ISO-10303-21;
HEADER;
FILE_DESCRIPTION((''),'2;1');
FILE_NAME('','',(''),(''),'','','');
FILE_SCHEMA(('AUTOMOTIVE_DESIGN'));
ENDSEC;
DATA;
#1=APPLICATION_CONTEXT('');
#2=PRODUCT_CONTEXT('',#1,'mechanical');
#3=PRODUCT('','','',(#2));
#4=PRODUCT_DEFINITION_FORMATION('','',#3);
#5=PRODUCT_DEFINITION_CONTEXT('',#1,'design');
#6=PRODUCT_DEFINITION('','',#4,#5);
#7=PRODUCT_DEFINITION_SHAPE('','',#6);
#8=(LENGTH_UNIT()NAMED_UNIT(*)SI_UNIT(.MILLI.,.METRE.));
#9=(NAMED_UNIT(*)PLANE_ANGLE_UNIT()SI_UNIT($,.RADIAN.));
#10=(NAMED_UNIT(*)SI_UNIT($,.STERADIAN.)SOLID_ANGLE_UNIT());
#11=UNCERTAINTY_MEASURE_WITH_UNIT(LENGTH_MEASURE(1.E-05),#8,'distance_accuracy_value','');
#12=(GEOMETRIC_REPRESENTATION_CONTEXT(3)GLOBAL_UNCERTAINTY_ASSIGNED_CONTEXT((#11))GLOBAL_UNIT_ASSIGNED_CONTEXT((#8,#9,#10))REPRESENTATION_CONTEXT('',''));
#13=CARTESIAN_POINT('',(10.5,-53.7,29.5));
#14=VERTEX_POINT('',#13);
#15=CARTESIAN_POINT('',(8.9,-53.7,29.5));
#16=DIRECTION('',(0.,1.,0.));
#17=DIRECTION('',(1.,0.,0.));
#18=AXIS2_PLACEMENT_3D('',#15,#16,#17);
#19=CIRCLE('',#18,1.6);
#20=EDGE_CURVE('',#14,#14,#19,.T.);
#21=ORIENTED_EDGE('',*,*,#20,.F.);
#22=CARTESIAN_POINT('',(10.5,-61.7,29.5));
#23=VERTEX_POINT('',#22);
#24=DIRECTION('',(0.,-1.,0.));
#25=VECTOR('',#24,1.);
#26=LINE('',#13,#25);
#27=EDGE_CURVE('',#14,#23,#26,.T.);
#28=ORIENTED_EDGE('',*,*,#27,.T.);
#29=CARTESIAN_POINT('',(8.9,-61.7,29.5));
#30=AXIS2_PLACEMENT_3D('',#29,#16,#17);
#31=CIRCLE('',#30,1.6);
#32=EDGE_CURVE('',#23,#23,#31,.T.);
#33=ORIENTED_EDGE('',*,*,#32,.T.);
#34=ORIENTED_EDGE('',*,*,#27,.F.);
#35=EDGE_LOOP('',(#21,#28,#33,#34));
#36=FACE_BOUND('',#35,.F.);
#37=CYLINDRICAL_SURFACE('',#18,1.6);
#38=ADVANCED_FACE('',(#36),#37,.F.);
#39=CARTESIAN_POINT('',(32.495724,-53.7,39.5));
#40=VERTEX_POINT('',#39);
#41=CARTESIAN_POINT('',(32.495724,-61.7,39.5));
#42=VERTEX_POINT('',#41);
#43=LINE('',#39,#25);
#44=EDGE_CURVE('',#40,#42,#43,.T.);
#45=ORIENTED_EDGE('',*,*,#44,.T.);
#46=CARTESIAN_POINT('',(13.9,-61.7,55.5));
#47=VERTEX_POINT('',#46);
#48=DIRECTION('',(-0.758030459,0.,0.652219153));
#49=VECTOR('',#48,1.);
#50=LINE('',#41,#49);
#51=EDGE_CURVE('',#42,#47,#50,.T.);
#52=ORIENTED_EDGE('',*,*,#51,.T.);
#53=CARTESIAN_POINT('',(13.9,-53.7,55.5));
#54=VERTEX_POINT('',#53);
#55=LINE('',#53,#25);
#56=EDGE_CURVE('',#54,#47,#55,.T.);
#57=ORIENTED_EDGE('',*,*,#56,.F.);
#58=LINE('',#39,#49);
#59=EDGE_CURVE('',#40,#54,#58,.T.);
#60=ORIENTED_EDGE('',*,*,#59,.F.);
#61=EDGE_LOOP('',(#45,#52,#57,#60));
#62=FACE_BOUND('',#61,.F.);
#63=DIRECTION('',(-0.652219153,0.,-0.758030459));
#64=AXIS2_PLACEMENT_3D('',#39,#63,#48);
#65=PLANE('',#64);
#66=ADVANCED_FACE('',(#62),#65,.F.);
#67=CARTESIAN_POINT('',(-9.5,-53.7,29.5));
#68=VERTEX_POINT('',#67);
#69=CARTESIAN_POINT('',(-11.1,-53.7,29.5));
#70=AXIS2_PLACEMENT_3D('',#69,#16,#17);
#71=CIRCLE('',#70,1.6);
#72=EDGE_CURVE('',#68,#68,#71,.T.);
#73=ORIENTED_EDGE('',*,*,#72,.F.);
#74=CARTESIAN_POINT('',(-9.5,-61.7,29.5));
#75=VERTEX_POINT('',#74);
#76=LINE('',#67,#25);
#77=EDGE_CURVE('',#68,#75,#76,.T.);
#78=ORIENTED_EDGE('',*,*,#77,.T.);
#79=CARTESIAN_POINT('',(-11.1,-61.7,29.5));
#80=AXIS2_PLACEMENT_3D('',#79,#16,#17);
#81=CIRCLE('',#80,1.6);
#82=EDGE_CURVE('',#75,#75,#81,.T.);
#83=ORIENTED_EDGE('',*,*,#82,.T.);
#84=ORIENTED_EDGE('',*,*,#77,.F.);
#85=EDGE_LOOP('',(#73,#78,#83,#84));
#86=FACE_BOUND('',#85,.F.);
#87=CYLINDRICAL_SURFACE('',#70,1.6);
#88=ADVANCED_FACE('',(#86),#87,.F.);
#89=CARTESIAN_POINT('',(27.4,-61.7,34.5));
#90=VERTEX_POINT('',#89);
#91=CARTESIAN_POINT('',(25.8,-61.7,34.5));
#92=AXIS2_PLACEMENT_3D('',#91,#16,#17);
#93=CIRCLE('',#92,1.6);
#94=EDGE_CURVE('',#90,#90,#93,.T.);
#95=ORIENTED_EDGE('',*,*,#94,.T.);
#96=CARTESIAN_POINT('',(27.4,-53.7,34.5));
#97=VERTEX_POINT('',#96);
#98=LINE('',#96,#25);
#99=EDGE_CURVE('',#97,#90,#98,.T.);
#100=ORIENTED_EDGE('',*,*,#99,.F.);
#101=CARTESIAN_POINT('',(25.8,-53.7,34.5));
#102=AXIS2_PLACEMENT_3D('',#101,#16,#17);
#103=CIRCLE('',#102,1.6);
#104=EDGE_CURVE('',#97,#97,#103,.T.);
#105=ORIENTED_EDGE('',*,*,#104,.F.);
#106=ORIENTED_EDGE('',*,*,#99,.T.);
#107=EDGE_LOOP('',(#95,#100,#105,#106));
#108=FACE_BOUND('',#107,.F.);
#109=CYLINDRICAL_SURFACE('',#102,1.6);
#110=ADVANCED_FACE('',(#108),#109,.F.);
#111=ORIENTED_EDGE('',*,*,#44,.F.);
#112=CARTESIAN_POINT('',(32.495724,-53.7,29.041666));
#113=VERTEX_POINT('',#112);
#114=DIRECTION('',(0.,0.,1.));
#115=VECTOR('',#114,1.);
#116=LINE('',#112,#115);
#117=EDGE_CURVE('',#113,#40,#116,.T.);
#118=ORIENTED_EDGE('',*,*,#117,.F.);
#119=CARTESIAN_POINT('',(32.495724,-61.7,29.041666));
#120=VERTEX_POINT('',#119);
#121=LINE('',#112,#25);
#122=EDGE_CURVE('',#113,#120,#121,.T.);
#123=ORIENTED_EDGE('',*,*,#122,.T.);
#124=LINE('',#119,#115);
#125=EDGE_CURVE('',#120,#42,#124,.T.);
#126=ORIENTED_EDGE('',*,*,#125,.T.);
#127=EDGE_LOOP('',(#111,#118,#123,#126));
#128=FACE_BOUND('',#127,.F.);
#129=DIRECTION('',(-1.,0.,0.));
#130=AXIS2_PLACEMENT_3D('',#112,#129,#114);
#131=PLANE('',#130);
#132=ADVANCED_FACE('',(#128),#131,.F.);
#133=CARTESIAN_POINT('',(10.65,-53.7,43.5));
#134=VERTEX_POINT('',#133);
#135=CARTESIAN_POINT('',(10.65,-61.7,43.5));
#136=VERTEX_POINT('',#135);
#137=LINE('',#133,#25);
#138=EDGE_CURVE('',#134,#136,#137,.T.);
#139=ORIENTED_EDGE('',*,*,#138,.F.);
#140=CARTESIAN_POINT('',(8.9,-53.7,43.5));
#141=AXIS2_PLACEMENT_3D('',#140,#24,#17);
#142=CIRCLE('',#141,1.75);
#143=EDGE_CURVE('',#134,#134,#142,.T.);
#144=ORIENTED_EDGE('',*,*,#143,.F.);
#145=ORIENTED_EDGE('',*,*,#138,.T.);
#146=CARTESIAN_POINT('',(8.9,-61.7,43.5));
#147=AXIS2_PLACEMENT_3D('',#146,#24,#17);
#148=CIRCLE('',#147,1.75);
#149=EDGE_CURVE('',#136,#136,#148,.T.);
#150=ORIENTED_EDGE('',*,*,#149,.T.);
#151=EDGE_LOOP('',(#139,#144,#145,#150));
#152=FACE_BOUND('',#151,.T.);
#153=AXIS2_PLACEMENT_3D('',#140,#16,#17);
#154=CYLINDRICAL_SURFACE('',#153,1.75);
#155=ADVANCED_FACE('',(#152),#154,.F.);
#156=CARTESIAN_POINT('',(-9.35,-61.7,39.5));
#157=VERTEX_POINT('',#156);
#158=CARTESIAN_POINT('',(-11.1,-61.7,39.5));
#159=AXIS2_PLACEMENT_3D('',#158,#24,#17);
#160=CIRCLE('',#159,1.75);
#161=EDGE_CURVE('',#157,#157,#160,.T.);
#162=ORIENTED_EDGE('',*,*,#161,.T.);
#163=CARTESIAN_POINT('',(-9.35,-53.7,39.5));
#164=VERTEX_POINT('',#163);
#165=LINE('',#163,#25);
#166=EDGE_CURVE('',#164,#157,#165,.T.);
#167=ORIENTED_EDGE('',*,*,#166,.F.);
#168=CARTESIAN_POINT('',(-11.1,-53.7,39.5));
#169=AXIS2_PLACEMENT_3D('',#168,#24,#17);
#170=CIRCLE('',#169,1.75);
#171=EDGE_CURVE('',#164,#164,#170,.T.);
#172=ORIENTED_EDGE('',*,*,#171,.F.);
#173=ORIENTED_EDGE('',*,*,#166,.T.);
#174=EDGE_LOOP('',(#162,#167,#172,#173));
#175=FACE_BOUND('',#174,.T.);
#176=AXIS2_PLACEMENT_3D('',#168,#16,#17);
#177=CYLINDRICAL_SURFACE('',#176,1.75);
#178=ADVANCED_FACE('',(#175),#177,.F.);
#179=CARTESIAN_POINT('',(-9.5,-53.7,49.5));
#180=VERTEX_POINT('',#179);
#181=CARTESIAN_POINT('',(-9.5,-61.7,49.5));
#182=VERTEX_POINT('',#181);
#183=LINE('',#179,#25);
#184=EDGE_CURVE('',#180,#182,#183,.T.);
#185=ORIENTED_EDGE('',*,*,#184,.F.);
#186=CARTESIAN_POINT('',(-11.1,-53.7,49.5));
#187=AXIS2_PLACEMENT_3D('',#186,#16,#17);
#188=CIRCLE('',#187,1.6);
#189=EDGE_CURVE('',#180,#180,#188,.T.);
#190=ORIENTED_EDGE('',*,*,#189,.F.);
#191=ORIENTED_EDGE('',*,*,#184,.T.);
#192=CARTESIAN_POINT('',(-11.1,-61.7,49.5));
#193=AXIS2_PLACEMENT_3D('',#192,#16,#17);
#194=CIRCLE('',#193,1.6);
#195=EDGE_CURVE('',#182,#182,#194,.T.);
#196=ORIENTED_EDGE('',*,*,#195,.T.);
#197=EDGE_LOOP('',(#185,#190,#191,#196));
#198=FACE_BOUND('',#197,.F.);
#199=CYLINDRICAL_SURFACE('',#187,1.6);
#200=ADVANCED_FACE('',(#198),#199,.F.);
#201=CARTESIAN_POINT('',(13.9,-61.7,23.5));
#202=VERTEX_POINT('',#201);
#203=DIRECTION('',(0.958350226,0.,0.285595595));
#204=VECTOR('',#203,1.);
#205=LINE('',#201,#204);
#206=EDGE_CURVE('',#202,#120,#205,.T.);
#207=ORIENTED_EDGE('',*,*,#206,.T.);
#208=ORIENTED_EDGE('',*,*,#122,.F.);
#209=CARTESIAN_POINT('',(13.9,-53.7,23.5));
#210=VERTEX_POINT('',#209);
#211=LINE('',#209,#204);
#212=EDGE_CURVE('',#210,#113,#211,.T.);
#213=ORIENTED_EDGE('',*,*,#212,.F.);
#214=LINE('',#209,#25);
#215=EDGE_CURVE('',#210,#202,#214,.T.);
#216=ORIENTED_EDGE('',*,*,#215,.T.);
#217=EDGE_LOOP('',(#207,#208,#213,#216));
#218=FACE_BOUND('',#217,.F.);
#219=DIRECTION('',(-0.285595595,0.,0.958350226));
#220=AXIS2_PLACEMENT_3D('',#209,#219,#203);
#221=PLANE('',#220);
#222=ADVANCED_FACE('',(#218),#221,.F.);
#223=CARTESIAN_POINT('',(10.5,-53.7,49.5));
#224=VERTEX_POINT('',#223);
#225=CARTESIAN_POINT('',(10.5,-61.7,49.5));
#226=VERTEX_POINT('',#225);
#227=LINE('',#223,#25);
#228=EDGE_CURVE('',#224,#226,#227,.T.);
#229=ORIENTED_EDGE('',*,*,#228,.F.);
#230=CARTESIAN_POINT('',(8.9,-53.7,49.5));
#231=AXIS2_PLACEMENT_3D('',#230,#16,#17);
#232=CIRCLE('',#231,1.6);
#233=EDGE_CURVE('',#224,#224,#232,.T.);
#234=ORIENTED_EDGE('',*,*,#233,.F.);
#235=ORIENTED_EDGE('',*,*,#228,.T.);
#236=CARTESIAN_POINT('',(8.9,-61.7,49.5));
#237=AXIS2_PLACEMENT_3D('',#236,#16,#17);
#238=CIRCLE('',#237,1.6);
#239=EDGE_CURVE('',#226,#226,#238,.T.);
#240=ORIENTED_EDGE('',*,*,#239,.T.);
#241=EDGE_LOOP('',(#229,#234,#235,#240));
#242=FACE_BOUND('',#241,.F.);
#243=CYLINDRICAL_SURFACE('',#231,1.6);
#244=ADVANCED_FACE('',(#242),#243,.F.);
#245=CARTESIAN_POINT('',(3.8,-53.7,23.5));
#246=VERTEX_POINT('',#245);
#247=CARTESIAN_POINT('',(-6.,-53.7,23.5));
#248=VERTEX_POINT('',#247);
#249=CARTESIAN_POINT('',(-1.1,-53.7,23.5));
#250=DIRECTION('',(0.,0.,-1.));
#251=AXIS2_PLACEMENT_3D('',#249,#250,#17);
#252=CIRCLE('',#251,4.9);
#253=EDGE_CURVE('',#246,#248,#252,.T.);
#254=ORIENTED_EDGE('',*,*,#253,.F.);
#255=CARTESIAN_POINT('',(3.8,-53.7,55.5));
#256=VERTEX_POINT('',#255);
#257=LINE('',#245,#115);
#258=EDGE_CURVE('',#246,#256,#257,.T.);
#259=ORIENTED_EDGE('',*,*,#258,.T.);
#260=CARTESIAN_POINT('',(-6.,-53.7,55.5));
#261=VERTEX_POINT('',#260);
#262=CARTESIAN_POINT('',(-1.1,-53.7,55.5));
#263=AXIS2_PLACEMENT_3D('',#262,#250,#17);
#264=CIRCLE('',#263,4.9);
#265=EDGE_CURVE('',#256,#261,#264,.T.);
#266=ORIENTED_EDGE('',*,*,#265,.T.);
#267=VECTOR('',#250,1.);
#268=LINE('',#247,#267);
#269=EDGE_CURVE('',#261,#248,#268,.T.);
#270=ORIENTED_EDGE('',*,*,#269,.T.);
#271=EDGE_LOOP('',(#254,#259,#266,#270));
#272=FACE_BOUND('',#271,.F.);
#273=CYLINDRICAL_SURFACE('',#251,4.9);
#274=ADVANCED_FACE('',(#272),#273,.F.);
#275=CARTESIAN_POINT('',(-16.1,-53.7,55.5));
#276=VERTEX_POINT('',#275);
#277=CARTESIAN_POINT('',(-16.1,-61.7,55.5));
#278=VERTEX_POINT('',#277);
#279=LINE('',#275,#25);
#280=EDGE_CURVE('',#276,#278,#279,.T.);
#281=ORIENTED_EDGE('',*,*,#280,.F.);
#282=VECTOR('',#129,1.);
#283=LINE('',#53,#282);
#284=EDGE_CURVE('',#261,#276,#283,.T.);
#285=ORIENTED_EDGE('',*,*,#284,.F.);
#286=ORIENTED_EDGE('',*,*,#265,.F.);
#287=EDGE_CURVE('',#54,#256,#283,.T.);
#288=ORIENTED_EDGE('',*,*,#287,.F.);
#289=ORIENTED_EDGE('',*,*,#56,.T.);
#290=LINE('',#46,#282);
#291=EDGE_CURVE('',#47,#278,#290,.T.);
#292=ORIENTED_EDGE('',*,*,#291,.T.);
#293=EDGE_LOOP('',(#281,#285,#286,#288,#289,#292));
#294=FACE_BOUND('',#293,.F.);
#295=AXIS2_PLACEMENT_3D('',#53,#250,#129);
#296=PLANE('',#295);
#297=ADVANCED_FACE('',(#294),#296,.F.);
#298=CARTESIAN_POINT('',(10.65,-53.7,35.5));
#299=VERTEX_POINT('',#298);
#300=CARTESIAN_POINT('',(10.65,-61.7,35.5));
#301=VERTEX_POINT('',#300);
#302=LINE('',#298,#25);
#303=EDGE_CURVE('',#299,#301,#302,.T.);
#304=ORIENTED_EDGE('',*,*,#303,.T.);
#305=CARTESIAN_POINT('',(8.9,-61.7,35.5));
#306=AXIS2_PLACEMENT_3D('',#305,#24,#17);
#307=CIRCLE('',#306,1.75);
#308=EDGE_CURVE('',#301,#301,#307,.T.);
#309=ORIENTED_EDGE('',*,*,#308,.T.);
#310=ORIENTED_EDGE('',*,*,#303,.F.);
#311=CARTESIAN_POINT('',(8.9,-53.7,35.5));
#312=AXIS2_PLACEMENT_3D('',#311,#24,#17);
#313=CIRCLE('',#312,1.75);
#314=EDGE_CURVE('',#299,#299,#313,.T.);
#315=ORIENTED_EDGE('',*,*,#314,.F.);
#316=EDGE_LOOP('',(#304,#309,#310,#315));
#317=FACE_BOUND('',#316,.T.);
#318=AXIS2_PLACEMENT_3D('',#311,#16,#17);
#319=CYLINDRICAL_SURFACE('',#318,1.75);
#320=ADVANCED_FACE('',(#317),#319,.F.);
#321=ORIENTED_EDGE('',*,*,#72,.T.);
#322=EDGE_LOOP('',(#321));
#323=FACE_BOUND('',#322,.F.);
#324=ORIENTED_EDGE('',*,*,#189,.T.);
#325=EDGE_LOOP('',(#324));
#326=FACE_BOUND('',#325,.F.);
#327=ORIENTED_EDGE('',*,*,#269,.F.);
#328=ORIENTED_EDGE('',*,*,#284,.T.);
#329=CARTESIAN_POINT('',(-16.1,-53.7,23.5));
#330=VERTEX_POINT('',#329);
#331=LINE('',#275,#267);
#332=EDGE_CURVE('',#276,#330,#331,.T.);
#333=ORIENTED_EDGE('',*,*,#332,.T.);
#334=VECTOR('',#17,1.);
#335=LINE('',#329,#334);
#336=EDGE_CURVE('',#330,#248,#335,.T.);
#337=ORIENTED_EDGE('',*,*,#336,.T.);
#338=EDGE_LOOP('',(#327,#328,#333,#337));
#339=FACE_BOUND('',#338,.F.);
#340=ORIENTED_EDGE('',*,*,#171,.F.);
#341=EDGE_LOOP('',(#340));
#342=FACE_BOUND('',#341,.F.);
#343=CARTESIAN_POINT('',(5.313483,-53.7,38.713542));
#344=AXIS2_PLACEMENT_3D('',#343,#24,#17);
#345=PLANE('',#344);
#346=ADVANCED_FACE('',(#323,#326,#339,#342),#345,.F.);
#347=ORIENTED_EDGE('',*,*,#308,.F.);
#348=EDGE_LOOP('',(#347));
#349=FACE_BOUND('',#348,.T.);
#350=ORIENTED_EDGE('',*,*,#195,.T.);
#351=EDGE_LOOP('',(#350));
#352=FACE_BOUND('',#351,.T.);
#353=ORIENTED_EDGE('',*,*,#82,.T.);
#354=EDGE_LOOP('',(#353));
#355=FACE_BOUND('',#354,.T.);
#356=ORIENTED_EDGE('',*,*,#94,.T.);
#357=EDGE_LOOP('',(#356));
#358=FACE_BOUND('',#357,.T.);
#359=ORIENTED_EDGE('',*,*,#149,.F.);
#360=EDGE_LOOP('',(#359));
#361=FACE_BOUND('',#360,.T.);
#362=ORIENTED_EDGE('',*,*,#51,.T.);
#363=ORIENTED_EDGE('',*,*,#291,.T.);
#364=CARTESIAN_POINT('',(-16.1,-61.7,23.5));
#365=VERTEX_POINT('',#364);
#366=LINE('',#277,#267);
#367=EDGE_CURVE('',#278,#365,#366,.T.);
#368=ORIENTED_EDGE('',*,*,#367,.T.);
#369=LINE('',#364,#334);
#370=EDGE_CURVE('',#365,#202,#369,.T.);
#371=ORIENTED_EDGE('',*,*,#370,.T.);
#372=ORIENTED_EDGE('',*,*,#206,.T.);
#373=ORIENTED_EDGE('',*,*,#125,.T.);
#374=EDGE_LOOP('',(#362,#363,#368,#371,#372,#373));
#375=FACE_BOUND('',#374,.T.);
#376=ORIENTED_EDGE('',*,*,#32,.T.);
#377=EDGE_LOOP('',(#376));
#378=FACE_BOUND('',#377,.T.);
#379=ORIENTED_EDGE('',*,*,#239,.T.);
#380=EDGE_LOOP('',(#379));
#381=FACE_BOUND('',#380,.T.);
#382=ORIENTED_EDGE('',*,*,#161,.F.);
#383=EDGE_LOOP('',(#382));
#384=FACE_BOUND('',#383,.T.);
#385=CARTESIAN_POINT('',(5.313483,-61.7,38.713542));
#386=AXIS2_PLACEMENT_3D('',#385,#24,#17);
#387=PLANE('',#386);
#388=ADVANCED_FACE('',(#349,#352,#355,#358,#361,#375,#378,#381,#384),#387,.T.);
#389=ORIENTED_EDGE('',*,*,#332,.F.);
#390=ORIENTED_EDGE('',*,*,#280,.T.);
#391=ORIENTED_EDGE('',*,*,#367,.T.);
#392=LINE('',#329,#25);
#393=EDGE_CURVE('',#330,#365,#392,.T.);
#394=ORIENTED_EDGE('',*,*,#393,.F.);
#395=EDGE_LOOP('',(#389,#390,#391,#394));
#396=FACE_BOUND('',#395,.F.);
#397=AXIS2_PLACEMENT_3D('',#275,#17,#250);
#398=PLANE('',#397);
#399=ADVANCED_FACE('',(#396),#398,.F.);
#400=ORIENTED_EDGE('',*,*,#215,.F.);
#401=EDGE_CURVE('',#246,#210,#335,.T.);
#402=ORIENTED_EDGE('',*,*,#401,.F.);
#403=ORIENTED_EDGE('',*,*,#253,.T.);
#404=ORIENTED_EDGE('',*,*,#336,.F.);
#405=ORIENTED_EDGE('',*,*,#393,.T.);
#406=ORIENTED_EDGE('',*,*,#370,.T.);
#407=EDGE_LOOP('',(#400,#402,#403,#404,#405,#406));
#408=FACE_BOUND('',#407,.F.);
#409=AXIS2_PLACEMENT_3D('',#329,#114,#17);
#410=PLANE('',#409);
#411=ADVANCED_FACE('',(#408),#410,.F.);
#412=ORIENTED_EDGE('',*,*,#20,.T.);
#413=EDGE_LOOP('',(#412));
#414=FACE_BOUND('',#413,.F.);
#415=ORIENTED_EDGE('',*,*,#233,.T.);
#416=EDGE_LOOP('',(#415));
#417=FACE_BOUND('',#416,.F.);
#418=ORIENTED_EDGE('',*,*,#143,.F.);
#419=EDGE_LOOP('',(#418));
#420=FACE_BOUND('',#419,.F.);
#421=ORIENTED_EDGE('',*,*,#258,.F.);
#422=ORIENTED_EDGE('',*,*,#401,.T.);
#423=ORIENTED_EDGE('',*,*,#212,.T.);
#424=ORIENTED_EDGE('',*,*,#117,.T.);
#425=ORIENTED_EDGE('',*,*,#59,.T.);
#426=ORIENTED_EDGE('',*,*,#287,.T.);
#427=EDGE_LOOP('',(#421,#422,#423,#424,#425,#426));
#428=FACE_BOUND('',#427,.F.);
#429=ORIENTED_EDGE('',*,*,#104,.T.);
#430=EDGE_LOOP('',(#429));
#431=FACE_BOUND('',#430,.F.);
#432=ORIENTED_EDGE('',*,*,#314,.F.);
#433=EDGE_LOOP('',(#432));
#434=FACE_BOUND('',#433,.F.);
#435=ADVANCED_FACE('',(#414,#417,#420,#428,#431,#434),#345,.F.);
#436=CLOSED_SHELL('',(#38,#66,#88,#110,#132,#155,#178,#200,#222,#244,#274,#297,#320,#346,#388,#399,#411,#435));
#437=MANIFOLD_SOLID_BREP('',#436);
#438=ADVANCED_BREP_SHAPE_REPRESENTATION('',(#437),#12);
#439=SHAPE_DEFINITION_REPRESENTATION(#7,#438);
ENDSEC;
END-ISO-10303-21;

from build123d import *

# Parameters (mm, degrees)
SKETCH063_R     = 1.75
PAD039_DEPTH    = 8
SKETCH064_R     = 4.9
POCKET025_DEPTH = 38
SKETCH065_R     = 1.6
POCKET026_DEPTH = 10


with BuildPart() as part:
    # Sketch063 → Pad039 (new body)
    with BuildSketch(Plane.XZ):
        Polygon((-15, -16), (15, -16), (33.595724, -10.458334), (33.595724, 0), (15, 16), (-15, 16), align=None)
        with Locations((-10, 0)):
            Circle(SKETCH063_R, mode=Mode.SUBTRACT)
        with Locations((10, 4)):
            Circle(SKETCH063_R, mode=Mode.SUBTRACT)
        with Locations((10, -4)):
            Circle(SKETCH063_R, mode=Mode.SUBTRACT)
    extrude(amount=PAD039_DEPTH)

    # Sketch064 (on Face3 of Pad039) → Pocket025 (cut)
    with BuildSketch(Plane(origin=(0, 0, -16), x_dir=(1, 0, 0), z_dir=(0, 0, -1))):
        Circle(SKETCH064_R)
    extrude(amount=-POCKET025_DEPTH, mode=Mode.SUBTRACT)

    # Sketch065 (on Face2 of Pocket025) → Pocket026 (cut)
    with BuildSketch(Plane(origin=(0, 0, 0), x_dir=(1, 0, 0), z_dir=(0, 1, 0))):
        with Locations((26.9, 5)):
            Circle(SKETCH065_R)
        with Locations((-10, 10)):
            Circle(SKETCH065_R)
        with Locations((10, 10)):
            Circle(SKETCH065_R)
        with Locations((10, -10)):
            Circle(SKETCH065_R)
        with Locations((-10, -10)):
            Circle(SKETCH065_R)
    extrude(amount=-POCKET026_DEPTH, mode=Mode.SUBTRACT)


with BuildPart() as part_1:
    # Body011 placement: moved
    add(part.part.moved(Location((-1.1, -53.7, 39.5))))


solid = part_1.part
